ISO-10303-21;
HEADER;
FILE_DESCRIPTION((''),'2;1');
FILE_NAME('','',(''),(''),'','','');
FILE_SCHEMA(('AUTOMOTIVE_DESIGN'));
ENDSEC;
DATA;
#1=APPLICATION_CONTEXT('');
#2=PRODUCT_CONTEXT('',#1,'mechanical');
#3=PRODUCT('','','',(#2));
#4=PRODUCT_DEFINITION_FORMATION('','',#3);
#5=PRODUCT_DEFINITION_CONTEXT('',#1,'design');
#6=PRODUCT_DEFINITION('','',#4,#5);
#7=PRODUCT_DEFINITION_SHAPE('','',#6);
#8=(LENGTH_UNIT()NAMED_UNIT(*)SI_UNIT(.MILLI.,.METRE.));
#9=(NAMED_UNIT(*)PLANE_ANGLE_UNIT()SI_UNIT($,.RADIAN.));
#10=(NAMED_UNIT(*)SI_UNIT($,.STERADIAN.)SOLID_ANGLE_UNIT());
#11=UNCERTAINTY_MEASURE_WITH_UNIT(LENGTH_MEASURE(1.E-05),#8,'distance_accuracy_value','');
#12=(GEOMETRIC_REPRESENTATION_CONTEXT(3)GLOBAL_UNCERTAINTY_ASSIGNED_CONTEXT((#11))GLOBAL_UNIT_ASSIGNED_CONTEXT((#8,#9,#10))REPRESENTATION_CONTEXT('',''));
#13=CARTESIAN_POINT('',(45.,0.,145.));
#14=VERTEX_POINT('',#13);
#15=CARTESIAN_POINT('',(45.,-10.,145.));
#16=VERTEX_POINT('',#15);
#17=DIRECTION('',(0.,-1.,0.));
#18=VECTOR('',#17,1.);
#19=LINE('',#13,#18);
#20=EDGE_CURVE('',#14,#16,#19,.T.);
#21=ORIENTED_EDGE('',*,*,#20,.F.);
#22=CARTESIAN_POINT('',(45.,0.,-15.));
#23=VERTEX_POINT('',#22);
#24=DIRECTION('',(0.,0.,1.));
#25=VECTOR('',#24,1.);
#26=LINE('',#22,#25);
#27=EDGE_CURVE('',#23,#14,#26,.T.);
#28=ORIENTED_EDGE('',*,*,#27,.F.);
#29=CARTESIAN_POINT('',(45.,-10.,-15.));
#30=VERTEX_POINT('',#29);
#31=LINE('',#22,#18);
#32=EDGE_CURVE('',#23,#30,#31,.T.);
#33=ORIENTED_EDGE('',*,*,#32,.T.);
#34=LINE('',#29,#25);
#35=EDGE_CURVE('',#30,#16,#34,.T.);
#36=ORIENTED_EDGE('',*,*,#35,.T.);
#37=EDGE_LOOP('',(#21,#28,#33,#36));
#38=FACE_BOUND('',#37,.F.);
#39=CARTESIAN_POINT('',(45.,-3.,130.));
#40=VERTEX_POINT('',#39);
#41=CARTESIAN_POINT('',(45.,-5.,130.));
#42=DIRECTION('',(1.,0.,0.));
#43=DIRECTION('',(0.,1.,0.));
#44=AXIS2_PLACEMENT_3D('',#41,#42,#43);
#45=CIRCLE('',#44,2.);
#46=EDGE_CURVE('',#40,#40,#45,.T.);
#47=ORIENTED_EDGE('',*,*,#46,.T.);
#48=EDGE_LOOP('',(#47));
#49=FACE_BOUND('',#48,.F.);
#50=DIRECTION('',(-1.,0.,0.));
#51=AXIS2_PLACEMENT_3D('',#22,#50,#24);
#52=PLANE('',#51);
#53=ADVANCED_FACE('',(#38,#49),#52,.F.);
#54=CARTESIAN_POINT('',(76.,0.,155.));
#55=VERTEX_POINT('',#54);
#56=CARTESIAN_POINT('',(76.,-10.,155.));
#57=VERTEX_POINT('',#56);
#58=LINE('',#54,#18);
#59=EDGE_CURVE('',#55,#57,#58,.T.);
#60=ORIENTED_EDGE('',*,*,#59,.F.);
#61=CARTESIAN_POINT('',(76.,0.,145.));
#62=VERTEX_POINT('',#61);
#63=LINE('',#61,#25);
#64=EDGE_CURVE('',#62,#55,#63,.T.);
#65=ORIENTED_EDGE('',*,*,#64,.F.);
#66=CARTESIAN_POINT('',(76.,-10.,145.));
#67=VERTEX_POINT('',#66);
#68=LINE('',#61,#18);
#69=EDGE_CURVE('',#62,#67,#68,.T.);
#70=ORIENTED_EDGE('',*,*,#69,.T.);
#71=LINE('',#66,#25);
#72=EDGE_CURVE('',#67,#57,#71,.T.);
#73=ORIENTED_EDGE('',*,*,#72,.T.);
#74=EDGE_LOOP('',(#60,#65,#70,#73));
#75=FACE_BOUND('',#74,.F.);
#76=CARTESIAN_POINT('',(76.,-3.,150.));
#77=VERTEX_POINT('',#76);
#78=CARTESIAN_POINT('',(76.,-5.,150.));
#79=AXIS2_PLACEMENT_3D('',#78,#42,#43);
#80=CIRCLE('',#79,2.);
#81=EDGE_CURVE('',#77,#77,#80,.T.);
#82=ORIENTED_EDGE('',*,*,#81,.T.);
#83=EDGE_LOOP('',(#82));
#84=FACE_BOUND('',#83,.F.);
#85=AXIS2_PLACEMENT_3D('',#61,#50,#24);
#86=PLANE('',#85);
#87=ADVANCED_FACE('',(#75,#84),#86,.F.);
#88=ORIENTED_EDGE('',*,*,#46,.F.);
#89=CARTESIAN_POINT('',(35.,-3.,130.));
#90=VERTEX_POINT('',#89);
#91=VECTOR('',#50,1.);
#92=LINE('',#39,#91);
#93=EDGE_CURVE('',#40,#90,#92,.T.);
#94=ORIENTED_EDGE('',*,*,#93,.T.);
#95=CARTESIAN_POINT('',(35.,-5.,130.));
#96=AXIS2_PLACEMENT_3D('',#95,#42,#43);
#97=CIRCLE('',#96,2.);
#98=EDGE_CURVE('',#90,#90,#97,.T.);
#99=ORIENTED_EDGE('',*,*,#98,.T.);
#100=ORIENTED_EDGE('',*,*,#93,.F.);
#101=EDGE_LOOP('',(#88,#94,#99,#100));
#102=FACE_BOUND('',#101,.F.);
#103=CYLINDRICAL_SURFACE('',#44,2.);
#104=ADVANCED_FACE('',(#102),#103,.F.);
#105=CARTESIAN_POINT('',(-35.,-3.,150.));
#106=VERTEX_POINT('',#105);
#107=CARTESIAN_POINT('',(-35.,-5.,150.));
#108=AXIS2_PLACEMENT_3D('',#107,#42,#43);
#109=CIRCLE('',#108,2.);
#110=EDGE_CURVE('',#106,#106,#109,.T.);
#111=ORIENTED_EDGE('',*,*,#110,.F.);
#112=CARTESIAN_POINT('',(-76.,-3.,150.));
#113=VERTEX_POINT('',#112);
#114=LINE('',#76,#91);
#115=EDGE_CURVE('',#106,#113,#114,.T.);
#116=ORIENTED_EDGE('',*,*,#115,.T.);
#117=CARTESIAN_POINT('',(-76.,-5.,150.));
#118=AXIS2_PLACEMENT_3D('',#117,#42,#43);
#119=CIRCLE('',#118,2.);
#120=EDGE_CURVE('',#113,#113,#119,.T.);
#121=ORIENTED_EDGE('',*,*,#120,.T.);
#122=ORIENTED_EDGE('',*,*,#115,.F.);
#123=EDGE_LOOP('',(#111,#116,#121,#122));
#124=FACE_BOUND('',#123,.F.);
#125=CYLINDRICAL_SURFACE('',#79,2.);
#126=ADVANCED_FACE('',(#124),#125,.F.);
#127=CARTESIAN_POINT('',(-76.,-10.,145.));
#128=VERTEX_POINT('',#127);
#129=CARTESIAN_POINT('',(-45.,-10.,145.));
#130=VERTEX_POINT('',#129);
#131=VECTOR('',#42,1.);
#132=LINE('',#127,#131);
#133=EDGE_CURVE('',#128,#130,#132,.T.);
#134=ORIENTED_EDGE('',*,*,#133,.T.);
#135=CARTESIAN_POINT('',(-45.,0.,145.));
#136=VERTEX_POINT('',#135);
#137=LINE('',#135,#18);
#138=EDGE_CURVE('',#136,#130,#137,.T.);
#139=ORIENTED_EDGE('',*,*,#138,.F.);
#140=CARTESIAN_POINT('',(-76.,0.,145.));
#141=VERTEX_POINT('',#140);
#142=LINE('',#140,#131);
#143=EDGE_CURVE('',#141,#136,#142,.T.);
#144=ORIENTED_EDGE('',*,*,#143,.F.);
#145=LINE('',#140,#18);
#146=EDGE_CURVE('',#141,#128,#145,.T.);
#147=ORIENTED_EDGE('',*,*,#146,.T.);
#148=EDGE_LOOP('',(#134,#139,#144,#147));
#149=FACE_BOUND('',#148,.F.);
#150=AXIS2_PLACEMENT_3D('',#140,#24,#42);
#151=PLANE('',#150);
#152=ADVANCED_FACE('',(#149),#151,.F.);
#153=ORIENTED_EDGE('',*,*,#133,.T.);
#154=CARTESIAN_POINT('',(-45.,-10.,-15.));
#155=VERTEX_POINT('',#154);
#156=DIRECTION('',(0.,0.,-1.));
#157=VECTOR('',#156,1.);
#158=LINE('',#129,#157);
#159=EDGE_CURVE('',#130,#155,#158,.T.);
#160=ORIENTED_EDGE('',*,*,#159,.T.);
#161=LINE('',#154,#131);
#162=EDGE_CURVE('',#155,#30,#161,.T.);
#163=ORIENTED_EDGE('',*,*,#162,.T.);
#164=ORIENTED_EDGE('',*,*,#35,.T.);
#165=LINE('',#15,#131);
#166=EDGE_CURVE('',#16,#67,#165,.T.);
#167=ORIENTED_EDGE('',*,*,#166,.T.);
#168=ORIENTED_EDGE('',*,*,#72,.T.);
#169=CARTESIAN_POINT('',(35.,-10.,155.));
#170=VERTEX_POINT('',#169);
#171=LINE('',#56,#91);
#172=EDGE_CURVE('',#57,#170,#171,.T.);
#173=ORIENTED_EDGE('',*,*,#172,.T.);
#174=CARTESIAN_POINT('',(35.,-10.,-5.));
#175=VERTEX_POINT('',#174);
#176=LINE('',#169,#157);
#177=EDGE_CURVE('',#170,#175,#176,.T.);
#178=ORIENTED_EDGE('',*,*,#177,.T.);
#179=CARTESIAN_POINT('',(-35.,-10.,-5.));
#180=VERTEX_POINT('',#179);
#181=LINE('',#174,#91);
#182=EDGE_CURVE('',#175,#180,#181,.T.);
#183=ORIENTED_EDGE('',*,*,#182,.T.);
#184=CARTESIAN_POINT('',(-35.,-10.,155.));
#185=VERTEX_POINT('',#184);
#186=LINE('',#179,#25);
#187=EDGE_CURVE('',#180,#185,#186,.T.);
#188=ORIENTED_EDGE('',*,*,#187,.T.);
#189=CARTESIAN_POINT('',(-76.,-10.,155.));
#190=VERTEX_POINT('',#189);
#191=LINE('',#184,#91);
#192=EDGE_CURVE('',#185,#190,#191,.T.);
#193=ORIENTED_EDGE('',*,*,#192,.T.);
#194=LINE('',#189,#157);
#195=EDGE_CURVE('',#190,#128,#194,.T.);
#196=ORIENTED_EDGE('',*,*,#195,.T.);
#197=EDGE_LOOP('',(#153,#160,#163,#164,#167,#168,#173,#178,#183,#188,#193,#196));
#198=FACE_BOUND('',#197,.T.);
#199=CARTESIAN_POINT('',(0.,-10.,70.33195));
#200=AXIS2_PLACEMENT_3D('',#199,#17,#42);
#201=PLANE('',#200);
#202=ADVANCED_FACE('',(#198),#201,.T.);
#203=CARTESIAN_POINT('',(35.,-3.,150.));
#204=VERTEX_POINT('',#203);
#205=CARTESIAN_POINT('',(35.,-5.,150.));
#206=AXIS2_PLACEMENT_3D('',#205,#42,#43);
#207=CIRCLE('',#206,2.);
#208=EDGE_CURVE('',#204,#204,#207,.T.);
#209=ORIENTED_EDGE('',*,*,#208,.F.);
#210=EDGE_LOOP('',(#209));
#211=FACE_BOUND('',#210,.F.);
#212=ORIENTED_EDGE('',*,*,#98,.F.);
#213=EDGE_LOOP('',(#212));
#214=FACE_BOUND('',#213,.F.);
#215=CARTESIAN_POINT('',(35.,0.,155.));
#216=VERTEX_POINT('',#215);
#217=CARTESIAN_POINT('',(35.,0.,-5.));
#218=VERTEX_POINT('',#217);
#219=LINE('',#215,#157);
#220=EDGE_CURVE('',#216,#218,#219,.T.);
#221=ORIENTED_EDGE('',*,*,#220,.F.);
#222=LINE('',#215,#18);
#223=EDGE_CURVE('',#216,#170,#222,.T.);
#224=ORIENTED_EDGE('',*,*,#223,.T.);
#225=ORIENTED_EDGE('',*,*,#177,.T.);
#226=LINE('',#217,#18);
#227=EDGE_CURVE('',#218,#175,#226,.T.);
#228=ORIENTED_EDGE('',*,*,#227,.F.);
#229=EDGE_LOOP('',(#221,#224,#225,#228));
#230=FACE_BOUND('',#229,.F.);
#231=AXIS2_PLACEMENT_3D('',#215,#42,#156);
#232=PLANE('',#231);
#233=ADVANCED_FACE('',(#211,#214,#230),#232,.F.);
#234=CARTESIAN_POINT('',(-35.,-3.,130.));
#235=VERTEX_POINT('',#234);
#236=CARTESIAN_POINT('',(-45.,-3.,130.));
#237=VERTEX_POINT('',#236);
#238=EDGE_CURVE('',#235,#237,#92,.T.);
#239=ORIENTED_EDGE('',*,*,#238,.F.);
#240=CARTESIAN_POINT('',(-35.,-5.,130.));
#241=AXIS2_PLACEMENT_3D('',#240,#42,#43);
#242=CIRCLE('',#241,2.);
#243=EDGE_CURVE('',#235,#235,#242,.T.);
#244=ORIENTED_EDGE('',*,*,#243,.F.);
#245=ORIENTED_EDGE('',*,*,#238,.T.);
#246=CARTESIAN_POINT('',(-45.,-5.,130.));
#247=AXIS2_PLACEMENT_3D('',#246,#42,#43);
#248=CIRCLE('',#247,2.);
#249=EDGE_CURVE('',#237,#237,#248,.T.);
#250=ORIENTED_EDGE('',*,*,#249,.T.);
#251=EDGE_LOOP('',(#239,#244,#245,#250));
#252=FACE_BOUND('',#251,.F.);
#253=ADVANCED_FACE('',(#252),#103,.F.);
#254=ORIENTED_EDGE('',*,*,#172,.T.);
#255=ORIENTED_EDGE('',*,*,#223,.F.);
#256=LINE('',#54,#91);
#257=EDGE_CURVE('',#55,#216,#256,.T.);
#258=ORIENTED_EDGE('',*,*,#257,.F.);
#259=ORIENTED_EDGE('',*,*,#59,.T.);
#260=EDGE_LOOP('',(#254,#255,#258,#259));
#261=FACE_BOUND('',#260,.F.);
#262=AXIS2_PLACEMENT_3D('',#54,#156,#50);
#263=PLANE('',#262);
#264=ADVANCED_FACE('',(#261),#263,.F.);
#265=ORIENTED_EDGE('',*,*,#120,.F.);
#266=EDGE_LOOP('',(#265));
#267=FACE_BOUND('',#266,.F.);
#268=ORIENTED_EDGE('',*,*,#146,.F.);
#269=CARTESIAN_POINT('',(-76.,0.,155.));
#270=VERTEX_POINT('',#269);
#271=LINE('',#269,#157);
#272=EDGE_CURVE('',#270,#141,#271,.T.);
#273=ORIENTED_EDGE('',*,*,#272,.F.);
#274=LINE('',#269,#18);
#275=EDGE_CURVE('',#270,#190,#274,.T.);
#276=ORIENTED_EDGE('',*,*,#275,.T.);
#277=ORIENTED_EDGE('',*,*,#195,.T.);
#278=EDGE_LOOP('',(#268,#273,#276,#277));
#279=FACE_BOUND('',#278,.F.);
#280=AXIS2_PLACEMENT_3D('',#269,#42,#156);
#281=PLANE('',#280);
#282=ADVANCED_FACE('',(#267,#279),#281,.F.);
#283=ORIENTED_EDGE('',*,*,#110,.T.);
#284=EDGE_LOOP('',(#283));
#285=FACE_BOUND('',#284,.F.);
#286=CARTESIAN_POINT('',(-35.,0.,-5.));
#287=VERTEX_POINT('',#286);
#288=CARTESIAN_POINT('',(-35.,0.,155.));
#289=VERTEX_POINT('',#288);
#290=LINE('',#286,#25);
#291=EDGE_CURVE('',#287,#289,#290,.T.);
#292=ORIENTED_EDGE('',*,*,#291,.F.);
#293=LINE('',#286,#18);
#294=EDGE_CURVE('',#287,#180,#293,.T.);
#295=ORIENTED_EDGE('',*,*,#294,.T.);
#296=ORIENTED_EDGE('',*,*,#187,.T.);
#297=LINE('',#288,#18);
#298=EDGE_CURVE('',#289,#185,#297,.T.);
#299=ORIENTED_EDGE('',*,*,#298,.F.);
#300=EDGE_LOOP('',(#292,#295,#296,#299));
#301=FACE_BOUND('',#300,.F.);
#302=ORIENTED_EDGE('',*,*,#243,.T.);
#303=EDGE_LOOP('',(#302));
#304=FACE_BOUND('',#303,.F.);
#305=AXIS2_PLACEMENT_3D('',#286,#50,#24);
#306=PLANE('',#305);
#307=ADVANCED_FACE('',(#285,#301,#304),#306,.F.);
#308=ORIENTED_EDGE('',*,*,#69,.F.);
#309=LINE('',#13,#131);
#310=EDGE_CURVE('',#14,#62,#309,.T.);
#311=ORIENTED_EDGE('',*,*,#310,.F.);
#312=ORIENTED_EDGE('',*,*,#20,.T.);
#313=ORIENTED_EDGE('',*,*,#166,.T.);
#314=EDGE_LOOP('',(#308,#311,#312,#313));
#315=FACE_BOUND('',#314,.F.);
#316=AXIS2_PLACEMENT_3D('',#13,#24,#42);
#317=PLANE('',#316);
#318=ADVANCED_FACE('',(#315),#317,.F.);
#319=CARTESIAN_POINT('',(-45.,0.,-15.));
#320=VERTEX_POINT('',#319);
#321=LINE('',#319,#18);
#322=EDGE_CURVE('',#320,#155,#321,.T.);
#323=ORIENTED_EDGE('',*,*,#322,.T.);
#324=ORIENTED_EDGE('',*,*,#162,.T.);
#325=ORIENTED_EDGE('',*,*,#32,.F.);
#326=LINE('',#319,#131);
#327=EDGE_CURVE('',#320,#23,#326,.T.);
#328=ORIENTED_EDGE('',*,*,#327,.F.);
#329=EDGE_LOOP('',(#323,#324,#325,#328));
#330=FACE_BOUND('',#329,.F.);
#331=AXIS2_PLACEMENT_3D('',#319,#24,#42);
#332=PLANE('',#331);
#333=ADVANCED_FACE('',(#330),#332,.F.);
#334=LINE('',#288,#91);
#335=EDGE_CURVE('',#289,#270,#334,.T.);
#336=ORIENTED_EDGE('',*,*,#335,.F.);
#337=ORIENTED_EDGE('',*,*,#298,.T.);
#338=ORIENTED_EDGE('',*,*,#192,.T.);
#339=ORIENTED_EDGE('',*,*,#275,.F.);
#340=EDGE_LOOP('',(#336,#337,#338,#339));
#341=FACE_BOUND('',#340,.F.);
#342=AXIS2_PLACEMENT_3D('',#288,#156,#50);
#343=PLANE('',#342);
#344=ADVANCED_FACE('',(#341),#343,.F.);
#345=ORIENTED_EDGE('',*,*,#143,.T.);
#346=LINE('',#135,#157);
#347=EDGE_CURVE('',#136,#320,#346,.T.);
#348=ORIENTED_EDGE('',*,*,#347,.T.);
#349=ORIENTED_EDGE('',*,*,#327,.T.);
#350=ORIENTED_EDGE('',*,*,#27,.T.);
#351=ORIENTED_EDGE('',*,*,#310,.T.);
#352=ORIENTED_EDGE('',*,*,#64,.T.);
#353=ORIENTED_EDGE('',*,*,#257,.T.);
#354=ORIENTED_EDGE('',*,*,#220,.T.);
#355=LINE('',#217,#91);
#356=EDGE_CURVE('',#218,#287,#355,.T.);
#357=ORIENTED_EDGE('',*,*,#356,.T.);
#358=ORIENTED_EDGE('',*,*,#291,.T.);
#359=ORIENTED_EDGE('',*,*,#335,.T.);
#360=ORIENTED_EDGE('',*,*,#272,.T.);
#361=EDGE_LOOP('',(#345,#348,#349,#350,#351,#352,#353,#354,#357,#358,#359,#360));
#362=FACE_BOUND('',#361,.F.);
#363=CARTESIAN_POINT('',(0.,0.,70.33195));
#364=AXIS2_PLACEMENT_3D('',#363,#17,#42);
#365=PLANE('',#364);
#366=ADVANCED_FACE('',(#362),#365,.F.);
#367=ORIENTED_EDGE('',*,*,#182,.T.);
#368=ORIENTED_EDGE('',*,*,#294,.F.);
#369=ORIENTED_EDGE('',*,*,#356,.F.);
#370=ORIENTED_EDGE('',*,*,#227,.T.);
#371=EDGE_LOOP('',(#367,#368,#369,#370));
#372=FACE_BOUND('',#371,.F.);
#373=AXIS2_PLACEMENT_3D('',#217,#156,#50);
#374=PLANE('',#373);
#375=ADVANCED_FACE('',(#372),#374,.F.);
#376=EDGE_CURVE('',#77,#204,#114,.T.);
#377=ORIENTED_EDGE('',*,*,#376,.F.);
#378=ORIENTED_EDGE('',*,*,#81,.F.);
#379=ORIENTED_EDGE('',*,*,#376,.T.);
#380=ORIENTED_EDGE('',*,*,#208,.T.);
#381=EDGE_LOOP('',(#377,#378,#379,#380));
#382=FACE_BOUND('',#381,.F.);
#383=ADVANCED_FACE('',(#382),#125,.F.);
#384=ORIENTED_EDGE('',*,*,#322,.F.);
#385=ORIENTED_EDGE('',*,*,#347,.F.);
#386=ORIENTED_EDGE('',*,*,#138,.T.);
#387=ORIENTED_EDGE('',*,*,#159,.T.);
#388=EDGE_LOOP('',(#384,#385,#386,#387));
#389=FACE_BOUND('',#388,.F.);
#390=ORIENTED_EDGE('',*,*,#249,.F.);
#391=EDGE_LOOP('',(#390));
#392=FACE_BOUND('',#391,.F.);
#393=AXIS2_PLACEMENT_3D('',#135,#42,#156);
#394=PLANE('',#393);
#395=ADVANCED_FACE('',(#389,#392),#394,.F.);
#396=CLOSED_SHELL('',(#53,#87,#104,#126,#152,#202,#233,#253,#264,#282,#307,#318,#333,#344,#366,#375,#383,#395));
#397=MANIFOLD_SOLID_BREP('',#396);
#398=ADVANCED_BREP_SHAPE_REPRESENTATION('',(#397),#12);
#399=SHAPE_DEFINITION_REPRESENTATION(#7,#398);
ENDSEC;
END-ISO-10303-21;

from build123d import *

# Parameters (mm, degrees)
F1_DEPTH = 10
F2_R     = 2
F3_DEPTH = 152.001
F4_R     = 2
F5_DEPTH = 121.001


with BuildPart() as f1:
    # F0 (on Front) → F1 (new body)
    with BuildSketch(Plane.XZ):
        Polygon((-45, 145), (-45, -15), (45, -15), (45, 145), (76, 145), (76, 155), (35, 155), (35, -5), (0, -5), (-35, -5), (-35, 155), (-76, 155), (-76, 145), align=None)
    extrude(amount=F1_DEPTH)

    # F2 (on face) → F3 (cut, through all)
    with BuildSketch(Plane.YZ.offset(76)):
        with Locations((-5, 150)):
            Circle(F2_R)
    extrude(amount=-F3_DEPTH, mode=Mode.SUBTRACT)

    # F4 (on face) → F5 (cut, through all)
    with BuildSketch(Plane.YZ.offset(45)):
        with Locations((-5, 130)):
            Circle(F4_R)
    extrude(amount=-F5_DEPTH, mode=Mode.SUBTRACT)


solid = f1.part
